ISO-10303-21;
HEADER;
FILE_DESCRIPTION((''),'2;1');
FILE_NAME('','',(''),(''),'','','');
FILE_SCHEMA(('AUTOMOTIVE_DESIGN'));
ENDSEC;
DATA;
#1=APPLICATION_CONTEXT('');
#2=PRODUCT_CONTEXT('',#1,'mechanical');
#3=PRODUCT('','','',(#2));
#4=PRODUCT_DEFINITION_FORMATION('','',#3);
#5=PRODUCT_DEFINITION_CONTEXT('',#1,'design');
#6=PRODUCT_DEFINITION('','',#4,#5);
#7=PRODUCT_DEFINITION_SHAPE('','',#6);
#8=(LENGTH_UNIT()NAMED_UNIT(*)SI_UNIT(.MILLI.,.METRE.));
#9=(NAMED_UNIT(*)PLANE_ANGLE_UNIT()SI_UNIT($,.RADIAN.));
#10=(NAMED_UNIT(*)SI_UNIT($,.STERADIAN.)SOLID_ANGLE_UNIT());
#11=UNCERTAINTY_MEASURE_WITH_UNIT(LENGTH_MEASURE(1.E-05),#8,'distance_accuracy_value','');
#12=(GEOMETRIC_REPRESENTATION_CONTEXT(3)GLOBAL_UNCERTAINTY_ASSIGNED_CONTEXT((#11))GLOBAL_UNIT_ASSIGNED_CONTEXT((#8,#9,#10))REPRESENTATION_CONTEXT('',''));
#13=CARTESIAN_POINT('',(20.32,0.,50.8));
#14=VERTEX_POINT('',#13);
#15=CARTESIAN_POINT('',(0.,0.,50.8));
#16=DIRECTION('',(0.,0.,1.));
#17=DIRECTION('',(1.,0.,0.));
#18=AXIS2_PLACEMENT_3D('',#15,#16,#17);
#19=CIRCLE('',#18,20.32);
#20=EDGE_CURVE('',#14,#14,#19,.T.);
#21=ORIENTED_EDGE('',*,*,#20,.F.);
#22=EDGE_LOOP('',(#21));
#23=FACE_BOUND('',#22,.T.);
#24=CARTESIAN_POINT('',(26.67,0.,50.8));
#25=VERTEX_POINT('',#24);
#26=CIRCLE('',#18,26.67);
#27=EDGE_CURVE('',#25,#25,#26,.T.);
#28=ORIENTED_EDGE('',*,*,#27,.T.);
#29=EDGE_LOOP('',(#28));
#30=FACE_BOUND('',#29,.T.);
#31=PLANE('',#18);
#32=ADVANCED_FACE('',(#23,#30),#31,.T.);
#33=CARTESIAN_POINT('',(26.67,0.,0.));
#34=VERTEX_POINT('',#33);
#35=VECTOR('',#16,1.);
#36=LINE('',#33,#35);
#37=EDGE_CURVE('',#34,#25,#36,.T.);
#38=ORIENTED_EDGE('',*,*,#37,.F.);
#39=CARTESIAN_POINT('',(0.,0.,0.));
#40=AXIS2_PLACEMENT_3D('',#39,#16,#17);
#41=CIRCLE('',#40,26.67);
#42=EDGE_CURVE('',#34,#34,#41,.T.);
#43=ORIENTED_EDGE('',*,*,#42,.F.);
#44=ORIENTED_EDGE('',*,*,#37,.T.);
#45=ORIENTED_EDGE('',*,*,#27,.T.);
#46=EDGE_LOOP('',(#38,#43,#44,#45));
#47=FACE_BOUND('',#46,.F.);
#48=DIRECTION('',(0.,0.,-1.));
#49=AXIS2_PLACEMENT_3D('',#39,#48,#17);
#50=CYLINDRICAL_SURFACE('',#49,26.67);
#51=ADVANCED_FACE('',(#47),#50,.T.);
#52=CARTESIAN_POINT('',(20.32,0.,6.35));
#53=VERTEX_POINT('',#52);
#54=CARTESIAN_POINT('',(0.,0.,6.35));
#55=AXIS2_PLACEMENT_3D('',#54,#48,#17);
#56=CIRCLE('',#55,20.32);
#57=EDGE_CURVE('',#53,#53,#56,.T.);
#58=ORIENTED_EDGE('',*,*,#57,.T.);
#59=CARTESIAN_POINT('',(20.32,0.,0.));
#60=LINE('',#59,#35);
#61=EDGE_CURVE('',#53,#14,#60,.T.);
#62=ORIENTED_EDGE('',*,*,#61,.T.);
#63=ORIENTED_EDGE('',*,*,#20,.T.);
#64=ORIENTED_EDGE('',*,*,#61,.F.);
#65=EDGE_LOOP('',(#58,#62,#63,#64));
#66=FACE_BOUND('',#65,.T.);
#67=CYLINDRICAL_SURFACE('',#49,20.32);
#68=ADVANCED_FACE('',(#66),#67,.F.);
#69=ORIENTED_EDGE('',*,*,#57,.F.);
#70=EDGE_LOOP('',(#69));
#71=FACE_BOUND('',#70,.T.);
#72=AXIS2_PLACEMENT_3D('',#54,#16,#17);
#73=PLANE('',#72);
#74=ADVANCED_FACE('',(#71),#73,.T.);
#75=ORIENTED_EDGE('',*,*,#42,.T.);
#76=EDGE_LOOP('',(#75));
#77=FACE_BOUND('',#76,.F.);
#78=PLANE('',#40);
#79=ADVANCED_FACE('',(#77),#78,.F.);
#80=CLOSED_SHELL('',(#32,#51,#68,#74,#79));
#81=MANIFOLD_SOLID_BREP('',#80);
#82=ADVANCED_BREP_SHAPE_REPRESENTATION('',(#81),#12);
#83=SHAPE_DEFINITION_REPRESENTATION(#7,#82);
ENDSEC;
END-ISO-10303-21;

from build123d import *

# Parameters (mm, degrees)
F0_R     = 26.67
F0_R_2   = 20.32
F1_DEPTH = 50.8
F2_T     = -6.35


with BuildPart() as f1:
    # F0 (on Top) → F1 (new body)
    with BuildSketch(Plane.XY):
        Circle(F0_R)
        Circle(F0_R_2, mode=Mode.SUBTRACT)
        Circle(F0_R_2)
    extrude(amount=F1_DEPTH)

    # F2
    f2_openings = [f1.faces().sort_by_distance(p)[0] for p in [
        (0, 0, 50.8),
    ]]
    offset(amount=F2_T, openings=f2_openings)


solid = f1.part
